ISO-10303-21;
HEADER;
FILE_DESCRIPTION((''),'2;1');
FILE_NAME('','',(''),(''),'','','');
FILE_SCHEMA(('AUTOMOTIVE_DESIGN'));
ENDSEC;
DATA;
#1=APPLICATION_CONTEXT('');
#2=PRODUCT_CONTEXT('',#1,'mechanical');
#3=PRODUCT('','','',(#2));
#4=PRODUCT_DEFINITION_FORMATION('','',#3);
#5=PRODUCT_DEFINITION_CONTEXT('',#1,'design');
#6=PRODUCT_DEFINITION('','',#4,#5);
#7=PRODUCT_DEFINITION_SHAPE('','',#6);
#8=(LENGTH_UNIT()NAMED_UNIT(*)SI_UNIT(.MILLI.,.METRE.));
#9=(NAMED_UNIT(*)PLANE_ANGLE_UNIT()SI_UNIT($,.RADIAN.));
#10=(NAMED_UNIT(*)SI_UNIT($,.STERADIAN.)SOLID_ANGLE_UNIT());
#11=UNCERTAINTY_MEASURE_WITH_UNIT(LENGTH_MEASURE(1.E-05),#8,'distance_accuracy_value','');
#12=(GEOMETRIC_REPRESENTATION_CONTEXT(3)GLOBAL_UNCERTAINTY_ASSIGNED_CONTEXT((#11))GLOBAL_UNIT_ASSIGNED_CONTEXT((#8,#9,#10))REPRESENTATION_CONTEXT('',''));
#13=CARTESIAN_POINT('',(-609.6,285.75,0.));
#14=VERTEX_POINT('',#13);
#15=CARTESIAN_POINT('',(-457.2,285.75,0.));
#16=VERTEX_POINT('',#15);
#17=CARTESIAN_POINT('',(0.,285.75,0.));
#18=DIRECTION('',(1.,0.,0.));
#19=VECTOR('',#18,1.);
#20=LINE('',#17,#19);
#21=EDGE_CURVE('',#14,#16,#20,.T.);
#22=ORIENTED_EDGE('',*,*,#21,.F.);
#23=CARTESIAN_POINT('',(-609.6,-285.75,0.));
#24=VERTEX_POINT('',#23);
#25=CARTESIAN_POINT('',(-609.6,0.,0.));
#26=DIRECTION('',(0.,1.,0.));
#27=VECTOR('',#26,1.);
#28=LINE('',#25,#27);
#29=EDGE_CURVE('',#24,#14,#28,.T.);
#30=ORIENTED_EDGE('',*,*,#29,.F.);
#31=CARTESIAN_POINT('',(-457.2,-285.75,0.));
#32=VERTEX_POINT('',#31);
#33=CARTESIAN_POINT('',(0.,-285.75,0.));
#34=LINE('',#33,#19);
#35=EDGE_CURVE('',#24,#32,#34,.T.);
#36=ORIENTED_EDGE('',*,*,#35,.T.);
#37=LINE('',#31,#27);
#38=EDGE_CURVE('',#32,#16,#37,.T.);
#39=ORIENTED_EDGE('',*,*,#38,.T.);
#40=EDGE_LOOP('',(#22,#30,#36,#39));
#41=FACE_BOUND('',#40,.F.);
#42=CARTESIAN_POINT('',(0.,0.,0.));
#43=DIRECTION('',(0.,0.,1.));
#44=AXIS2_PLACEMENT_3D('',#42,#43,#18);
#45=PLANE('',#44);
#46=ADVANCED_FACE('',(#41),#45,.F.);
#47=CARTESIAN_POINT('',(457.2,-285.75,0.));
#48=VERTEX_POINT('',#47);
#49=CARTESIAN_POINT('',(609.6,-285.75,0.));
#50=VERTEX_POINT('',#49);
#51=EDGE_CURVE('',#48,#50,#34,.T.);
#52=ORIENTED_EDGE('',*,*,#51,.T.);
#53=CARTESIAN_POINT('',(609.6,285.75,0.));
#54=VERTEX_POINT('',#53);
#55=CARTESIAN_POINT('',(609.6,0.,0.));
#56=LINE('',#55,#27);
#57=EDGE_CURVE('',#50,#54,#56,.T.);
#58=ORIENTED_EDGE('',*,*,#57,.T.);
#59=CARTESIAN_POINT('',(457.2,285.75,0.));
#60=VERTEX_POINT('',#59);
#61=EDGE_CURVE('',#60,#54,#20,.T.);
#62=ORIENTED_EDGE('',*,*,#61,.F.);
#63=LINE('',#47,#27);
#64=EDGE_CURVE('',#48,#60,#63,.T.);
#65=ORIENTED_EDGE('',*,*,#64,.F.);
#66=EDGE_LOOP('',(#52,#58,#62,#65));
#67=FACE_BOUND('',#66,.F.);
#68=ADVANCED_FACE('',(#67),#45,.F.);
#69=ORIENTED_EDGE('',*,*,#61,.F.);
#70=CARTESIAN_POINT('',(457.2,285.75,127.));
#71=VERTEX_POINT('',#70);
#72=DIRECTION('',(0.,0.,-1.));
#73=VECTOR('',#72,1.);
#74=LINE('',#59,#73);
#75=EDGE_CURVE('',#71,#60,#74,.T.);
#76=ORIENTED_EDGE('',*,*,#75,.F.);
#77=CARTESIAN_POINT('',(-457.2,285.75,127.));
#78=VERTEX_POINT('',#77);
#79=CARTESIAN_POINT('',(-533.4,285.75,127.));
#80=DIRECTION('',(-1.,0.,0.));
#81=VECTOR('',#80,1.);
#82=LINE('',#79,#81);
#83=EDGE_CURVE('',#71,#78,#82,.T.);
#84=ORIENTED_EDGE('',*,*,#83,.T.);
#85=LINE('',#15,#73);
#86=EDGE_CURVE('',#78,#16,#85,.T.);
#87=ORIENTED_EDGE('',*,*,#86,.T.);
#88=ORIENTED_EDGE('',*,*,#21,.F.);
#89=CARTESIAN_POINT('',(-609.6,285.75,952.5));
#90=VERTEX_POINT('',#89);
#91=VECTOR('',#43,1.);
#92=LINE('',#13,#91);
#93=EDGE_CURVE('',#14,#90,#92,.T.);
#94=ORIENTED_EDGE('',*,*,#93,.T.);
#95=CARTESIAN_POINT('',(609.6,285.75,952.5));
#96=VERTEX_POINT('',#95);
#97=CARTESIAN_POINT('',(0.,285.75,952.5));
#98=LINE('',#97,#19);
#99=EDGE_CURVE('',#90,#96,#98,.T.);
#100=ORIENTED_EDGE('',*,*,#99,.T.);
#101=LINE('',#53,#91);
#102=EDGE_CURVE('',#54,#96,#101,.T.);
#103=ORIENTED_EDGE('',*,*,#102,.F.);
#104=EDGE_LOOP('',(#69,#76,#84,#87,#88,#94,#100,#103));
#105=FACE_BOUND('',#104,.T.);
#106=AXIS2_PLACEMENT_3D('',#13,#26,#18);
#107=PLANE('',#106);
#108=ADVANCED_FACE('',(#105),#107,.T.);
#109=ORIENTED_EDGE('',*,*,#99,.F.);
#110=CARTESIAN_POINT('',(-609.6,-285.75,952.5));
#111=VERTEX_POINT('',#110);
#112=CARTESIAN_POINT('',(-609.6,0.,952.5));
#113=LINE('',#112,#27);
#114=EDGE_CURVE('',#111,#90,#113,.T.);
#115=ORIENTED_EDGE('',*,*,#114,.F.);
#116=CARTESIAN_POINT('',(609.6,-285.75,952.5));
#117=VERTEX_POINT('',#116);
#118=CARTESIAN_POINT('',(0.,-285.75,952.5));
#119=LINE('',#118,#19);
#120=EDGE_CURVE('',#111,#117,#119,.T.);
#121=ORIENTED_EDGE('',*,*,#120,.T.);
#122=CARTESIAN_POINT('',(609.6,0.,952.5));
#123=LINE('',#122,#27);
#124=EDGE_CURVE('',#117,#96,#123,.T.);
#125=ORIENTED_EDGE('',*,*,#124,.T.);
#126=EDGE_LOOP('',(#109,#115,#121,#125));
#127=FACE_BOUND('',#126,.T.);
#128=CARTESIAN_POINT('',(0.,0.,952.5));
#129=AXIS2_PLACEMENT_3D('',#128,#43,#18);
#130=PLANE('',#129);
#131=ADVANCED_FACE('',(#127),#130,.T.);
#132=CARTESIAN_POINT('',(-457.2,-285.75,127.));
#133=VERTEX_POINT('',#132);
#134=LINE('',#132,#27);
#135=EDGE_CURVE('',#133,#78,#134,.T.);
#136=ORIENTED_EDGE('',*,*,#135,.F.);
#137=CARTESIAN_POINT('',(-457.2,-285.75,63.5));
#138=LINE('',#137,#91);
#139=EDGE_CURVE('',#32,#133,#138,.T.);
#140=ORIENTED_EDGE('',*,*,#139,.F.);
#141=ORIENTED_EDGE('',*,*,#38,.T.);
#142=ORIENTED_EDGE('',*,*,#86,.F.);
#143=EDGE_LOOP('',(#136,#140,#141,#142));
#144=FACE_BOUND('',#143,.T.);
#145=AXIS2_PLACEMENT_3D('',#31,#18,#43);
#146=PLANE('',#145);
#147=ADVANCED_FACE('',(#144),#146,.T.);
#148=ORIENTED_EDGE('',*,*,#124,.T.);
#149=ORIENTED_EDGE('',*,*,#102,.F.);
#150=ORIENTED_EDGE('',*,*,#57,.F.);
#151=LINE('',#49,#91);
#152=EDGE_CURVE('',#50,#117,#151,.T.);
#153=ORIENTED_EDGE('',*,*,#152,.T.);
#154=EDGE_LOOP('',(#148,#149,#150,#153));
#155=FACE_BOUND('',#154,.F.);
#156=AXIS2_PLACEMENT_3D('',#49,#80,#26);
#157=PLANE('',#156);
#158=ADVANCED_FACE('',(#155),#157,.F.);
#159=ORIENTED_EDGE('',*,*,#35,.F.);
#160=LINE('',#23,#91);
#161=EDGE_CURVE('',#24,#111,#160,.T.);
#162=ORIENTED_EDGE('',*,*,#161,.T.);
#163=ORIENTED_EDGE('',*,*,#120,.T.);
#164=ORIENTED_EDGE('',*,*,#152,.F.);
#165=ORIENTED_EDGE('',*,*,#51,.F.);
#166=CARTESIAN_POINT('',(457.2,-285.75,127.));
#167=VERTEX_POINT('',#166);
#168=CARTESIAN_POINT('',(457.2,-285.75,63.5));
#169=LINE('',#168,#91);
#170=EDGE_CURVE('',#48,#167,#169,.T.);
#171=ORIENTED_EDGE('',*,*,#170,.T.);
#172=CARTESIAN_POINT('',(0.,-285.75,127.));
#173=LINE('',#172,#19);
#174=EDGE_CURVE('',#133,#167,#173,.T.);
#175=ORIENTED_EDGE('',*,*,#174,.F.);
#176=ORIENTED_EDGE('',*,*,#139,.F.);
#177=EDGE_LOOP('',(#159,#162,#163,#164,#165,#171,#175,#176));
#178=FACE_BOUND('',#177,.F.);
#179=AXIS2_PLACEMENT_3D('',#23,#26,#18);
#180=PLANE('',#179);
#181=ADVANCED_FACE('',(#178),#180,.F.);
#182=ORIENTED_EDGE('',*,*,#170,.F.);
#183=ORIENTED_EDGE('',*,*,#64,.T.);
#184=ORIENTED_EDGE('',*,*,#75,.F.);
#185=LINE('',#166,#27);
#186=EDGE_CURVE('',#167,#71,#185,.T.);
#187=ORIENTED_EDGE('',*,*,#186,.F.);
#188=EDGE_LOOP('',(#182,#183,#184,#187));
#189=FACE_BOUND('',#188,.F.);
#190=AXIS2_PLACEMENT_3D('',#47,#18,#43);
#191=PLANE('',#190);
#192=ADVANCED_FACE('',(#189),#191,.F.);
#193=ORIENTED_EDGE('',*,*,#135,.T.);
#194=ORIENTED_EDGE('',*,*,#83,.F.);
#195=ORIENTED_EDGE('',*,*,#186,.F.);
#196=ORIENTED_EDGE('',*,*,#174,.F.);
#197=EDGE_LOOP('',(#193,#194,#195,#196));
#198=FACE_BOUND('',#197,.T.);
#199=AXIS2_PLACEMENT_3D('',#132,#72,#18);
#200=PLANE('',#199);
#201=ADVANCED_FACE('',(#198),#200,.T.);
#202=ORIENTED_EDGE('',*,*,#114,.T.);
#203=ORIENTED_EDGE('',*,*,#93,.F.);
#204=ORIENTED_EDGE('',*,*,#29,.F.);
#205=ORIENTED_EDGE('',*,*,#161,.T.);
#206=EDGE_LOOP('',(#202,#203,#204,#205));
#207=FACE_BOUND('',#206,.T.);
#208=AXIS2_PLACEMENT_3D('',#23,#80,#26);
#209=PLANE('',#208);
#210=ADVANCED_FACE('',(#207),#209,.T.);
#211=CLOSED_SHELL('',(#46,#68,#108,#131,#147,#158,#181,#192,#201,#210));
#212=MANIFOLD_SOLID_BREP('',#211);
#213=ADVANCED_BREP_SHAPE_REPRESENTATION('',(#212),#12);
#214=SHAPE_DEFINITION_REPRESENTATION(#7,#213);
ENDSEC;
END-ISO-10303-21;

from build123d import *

# Parameters (mm, degrees)
F0_W     = 1219.2
F0_H     = 571.5
F1_DEPTH = 952.5
F2_W     = 914.4
F2_H     = 127
F3_DEPTH = 571.501


with BuildPart() as f1:
    # F0 (on Top) → F1 (new body)
    with BuildSketch(Plane.XY):
        Rectangle(F0_W, F0_H)
    extrude(amount=F1_DEPTH)

    # F2 (on face) → F3 (cut, through all)
    with BuildSketch(Plane.XZ.offset(285.75)):
        with Locations((0, 63.5)):
            Rectangle(F2_W, F2_H)
    extrude(amount=-F3_DEPTH, mode=Mode.SUBTRACT)


solid = f1.part
